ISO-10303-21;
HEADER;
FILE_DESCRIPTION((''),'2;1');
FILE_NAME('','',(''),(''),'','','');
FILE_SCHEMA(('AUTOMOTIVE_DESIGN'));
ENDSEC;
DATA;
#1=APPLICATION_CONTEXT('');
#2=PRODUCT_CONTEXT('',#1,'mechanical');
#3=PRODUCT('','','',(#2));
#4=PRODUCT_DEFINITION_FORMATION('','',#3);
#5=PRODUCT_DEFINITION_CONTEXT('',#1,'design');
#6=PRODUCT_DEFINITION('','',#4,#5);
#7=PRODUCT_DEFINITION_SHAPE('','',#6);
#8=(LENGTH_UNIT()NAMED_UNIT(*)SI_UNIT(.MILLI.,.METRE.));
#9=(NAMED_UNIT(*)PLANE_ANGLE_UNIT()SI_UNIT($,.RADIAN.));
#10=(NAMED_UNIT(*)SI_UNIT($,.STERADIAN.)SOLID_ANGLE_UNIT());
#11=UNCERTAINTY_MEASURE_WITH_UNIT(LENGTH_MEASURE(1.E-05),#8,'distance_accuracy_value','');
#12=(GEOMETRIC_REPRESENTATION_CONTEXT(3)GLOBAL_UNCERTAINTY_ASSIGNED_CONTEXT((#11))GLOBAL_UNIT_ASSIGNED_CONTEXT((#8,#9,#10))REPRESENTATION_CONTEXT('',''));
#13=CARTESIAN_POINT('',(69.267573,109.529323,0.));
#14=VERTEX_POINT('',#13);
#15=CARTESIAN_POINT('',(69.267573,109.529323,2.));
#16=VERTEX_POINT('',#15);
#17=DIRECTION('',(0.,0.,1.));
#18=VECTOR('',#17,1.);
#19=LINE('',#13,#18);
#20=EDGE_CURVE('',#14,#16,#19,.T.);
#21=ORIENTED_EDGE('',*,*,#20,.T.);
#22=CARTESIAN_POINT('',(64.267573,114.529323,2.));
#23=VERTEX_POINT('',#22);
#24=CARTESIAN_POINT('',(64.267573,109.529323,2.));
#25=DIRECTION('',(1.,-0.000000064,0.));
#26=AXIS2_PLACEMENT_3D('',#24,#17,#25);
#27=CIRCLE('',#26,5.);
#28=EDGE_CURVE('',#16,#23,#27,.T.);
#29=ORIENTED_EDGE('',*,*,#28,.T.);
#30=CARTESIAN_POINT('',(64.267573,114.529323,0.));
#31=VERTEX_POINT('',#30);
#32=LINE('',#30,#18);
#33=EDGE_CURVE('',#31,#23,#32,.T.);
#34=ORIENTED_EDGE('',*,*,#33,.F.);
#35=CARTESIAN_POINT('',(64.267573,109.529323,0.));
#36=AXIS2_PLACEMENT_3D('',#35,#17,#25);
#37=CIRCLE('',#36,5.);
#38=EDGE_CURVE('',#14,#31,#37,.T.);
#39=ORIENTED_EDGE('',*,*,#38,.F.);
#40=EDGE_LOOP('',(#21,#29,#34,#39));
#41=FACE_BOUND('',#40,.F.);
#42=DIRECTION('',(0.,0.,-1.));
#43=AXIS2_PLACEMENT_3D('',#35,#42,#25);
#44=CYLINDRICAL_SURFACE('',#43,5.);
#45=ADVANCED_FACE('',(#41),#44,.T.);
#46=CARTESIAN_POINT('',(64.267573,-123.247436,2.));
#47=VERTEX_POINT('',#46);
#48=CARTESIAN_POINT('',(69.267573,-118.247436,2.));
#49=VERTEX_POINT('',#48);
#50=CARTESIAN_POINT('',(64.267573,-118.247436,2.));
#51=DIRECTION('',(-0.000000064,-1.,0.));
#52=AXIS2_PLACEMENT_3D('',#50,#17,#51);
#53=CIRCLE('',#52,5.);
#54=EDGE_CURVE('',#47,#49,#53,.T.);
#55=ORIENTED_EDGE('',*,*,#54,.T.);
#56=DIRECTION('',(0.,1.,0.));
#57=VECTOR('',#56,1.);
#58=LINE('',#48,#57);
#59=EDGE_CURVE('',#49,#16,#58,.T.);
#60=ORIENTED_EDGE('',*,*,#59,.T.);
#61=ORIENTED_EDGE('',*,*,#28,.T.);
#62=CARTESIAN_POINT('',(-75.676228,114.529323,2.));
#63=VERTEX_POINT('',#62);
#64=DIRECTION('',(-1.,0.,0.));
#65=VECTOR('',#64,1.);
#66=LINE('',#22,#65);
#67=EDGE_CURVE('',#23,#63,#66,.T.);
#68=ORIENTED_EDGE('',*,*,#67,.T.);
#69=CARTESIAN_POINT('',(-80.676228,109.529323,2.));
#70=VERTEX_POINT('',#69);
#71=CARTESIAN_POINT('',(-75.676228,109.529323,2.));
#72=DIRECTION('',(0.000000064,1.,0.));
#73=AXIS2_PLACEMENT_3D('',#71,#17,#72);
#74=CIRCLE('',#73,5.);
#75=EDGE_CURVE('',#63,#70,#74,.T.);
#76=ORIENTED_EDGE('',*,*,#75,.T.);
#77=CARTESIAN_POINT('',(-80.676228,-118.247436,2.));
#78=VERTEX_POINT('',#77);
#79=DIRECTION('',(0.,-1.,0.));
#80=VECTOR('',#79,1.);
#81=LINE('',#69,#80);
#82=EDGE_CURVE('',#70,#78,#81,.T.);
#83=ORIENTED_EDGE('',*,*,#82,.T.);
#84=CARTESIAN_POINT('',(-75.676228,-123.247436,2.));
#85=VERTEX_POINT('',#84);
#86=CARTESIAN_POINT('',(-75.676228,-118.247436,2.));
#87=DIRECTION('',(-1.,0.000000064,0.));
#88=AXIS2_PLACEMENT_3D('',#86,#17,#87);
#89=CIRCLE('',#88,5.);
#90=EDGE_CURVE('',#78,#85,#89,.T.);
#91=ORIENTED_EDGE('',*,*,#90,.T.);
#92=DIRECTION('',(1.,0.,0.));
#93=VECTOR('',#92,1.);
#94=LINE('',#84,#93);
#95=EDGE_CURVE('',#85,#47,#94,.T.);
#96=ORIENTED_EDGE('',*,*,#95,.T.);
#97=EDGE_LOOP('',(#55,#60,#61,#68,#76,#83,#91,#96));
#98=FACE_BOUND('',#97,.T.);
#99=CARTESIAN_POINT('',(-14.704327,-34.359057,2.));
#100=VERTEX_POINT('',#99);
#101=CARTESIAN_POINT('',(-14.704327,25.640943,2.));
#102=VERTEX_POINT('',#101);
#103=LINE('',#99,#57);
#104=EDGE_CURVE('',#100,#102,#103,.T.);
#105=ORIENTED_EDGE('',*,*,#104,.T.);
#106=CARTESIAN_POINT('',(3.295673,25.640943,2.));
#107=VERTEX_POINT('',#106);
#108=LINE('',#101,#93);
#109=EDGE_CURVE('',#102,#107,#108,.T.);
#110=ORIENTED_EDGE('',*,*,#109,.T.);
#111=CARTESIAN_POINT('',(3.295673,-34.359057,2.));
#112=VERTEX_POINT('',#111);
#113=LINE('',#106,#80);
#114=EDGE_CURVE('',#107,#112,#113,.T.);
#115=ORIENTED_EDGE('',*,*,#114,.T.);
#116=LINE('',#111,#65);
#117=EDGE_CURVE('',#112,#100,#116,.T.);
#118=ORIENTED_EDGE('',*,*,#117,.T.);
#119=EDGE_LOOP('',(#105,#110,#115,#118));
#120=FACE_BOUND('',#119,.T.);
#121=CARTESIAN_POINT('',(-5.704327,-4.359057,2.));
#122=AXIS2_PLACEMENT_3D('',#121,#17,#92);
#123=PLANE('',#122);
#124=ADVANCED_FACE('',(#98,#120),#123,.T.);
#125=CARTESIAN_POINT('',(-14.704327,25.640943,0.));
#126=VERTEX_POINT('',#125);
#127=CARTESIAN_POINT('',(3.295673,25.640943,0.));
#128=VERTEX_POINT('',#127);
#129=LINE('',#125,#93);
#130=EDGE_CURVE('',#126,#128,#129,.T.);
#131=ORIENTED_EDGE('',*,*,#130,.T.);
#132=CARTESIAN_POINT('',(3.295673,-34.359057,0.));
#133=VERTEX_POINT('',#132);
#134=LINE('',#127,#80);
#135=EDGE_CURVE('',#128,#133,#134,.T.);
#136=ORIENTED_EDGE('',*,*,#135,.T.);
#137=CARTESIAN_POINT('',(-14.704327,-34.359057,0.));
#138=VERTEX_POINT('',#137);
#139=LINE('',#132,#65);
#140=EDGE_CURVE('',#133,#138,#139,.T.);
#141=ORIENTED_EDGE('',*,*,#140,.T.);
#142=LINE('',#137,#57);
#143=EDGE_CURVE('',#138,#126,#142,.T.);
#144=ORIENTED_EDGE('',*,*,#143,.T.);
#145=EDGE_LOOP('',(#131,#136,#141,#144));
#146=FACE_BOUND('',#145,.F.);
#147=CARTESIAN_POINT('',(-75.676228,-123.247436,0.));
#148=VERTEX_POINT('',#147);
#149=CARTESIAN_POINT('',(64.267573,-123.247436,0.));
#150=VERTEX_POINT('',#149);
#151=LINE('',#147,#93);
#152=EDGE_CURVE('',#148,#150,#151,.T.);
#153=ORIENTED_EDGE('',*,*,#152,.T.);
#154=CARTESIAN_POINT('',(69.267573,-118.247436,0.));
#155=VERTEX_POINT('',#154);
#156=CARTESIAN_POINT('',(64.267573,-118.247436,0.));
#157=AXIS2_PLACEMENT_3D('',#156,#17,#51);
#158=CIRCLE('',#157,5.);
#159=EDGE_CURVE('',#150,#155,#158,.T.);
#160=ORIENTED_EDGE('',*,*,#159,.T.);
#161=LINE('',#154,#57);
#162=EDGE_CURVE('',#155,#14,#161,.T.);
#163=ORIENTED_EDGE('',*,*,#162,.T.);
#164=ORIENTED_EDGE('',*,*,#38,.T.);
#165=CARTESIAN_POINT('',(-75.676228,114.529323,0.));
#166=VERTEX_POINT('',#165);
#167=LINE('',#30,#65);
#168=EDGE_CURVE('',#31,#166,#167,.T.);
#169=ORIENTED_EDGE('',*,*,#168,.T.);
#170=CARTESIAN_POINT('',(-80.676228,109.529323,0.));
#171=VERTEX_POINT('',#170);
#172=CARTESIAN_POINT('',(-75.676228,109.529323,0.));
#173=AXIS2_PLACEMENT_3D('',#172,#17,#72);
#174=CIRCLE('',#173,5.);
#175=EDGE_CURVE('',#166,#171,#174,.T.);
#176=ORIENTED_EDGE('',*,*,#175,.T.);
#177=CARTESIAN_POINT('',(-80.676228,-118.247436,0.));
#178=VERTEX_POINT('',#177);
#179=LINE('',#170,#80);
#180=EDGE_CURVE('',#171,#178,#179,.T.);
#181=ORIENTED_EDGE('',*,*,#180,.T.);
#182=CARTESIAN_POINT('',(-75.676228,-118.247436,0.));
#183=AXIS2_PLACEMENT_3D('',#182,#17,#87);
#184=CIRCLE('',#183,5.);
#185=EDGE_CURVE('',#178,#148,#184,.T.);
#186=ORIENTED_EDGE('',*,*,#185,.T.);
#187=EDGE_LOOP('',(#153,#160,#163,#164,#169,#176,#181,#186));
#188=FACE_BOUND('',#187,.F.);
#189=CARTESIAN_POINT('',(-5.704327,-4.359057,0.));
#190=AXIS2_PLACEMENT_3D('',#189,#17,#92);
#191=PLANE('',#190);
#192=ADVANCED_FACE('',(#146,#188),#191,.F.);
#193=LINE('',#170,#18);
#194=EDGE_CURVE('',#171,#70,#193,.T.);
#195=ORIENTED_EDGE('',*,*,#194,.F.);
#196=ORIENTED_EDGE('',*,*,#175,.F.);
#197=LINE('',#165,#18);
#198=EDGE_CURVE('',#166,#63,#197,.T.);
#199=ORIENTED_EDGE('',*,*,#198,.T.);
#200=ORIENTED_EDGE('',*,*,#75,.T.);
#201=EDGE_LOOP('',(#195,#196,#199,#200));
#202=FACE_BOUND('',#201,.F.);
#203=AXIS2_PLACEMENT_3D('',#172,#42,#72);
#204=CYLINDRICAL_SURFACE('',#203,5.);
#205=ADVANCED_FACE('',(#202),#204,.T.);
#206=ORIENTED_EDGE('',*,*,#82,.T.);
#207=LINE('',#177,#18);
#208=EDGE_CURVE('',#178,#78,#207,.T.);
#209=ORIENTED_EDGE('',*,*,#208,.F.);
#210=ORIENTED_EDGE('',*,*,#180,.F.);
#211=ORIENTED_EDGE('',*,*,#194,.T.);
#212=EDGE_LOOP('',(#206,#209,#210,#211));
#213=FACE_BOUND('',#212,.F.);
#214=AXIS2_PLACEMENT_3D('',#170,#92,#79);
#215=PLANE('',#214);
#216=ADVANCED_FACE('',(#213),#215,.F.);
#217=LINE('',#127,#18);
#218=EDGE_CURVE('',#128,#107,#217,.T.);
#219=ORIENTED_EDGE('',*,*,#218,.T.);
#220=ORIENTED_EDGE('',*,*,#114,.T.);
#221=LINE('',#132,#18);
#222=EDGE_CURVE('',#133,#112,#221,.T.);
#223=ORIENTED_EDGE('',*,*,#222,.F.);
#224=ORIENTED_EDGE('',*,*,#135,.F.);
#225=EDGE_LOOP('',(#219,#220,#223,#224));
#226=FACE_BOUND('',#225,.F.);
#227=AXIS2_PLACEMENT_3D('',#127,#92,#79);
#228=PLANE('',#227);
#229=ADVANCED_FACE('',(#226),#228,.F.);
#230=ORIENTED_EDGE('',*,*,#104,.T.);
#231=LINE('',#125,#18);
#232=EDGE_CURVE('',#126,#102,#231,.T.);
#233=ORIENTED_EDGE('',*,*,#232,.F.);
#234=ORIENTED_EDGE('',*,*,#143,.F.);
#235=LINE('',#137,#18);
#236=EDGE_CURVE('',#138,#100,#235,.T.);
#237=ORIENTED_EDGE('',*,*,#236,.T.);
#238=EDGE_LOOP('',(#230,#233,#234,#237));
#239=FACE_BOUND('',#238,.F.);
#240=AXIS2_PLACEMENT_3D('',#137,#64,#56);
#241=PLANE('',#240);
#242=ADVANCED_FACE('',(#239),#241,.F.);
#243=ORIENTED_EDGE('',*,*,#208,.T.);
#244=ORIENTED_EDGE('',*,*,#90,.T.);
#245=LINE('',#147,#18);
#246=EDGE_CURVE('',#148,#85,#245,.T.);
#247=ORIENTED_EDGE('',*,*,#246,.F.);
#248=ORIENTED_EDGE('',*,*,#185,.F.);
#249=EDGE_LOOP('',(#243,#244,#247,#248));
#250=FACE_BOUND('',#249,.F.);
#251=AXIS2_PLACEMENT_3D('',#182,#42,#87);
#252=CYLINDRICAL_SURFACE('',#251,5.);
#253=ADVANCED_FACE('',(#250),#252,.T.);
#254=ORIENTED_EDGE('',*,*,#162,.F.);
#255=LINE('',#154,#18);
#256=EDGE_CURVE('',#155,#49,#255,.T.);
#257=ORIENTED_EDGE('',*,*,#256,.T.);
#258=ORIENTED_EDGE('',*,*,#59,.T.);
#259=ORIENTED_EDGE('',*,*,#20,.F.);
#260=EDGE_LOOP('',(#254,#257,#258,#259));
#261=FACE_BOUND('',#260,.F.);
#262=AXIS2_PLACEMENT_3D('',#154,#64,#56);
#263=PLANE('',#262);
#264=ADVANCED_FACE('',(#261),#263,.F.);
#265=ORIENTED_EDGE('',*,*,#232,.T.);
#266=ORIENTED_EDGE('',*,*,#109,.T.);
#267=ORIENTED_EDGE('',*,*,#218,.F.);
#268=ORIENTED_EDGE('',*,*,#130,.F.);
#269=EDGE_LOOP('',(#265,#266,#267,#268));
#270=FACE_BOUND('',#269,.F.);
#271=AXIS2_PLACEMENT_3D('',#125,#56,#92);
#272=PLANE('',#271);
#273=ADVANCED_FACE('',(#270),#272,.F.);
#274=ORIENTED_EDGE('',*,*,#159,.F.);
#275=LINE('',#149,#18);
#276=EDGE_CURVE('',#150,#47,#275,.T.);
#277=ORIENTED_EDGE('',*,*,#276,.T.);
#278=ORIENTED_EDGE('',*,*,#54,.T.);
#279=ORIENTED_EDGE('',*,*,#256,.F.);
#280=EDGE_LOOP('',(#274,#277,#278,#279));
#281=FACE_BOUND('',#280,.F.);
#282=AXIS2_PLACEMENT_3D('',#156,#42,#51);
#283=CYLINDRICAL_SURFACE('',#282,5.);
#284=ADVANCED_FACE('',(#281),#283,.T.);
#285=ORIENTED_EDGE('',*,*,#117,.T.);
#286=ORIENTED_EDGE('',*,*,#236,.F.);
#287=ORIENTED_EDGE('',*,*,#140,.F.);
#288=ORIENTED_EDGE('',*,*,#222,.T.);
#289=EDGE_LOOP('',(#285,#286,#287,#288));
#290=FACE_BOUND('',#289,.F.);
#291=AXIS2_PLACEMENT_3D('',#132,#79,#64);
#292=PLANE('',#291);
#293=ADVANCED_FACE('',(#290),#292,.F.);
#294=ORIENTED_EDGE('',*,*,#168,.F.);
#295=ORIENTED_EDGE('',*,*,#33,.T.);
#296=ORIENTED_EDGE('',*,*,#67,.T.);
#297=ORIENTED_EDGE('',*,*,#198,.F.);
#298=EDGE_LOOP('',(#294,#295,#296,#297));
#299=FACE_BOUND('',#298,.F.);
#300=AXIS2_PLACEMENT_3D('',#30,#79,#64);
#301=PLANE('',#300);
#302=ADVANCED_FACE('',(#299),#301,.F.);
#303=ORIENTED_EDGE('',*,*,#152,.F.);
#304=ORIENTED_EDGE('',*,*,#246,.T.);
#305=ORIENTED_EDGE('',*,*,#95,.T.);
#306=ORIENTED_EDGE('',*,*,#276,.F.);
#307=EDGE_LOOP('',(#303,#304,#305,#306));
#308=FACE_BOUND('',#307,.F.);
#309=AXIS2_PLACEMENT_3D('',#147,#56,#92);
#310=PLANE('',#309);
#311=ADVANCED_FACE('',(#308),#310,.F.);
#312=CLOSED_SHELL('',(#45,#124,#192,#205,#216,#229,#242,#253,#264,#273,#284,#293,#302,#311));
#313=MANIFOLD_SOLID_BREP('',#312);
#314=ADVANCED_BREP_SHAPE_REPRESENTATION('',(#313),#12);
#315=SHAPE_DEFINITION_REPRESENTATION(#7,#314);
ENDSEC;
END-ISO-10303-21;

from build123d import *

# Parameters (mm, degrees)
F1_DEPTH = 2


with BuildPart() as f1:
    # F0 (on Top) → F1 (new body)
    with BuildSketch(Plane.XY):
        with BuildLine():
            Line((-5.704327, 114.529323), (-75.676228, 114.529323))
            ThreePointArc((-75.676228, 114.529323), (-79.211762, 113.064857), (-80.676228, 109.529323))
            Line((-80.676228, 109.529323), (-80.676228, -4.359057))
            Line((-80.676228, -4.359057), (-80.676228, -118.247436))
            ThreePointArc((-80.676228, -118.247436), (-79.211762, -121.78297), (-75.676228, -123.247436))
            Line((-75.676228, -123.247436), (-5.704327, -123.247436))
            Line((-5.704327, -123.247436), (64.267573, -123.247436))
            ThreePointArc((64.267573, -123.247436), (67.803107, -121.78297), (69.267573, -118.247436))
            Line((69.267573, -118.247436), (69.267573, -4.359057))
            Line((69.267573, -4.359057), (69.267573, 109.529323))
            ThreePointArc((69.267573, 109.529323), (67.803107, 113.064857), (64.267573, 114.529323))
            Line((64.267573, 114.529323), (-5.704327, 114.529323))
        make_face()
        Polygon((-14.704327, 25.640943), (-5.704327, 25.640943), (3.295673, 25.640943), (3.295673, -34.359057), (-5.704327, -34.359057), (-14.704327, -34.359057), align=None, mode=Mode.SUBTRACT)
    extrude(amount=F1_DEPTH)


solid = f1.part
